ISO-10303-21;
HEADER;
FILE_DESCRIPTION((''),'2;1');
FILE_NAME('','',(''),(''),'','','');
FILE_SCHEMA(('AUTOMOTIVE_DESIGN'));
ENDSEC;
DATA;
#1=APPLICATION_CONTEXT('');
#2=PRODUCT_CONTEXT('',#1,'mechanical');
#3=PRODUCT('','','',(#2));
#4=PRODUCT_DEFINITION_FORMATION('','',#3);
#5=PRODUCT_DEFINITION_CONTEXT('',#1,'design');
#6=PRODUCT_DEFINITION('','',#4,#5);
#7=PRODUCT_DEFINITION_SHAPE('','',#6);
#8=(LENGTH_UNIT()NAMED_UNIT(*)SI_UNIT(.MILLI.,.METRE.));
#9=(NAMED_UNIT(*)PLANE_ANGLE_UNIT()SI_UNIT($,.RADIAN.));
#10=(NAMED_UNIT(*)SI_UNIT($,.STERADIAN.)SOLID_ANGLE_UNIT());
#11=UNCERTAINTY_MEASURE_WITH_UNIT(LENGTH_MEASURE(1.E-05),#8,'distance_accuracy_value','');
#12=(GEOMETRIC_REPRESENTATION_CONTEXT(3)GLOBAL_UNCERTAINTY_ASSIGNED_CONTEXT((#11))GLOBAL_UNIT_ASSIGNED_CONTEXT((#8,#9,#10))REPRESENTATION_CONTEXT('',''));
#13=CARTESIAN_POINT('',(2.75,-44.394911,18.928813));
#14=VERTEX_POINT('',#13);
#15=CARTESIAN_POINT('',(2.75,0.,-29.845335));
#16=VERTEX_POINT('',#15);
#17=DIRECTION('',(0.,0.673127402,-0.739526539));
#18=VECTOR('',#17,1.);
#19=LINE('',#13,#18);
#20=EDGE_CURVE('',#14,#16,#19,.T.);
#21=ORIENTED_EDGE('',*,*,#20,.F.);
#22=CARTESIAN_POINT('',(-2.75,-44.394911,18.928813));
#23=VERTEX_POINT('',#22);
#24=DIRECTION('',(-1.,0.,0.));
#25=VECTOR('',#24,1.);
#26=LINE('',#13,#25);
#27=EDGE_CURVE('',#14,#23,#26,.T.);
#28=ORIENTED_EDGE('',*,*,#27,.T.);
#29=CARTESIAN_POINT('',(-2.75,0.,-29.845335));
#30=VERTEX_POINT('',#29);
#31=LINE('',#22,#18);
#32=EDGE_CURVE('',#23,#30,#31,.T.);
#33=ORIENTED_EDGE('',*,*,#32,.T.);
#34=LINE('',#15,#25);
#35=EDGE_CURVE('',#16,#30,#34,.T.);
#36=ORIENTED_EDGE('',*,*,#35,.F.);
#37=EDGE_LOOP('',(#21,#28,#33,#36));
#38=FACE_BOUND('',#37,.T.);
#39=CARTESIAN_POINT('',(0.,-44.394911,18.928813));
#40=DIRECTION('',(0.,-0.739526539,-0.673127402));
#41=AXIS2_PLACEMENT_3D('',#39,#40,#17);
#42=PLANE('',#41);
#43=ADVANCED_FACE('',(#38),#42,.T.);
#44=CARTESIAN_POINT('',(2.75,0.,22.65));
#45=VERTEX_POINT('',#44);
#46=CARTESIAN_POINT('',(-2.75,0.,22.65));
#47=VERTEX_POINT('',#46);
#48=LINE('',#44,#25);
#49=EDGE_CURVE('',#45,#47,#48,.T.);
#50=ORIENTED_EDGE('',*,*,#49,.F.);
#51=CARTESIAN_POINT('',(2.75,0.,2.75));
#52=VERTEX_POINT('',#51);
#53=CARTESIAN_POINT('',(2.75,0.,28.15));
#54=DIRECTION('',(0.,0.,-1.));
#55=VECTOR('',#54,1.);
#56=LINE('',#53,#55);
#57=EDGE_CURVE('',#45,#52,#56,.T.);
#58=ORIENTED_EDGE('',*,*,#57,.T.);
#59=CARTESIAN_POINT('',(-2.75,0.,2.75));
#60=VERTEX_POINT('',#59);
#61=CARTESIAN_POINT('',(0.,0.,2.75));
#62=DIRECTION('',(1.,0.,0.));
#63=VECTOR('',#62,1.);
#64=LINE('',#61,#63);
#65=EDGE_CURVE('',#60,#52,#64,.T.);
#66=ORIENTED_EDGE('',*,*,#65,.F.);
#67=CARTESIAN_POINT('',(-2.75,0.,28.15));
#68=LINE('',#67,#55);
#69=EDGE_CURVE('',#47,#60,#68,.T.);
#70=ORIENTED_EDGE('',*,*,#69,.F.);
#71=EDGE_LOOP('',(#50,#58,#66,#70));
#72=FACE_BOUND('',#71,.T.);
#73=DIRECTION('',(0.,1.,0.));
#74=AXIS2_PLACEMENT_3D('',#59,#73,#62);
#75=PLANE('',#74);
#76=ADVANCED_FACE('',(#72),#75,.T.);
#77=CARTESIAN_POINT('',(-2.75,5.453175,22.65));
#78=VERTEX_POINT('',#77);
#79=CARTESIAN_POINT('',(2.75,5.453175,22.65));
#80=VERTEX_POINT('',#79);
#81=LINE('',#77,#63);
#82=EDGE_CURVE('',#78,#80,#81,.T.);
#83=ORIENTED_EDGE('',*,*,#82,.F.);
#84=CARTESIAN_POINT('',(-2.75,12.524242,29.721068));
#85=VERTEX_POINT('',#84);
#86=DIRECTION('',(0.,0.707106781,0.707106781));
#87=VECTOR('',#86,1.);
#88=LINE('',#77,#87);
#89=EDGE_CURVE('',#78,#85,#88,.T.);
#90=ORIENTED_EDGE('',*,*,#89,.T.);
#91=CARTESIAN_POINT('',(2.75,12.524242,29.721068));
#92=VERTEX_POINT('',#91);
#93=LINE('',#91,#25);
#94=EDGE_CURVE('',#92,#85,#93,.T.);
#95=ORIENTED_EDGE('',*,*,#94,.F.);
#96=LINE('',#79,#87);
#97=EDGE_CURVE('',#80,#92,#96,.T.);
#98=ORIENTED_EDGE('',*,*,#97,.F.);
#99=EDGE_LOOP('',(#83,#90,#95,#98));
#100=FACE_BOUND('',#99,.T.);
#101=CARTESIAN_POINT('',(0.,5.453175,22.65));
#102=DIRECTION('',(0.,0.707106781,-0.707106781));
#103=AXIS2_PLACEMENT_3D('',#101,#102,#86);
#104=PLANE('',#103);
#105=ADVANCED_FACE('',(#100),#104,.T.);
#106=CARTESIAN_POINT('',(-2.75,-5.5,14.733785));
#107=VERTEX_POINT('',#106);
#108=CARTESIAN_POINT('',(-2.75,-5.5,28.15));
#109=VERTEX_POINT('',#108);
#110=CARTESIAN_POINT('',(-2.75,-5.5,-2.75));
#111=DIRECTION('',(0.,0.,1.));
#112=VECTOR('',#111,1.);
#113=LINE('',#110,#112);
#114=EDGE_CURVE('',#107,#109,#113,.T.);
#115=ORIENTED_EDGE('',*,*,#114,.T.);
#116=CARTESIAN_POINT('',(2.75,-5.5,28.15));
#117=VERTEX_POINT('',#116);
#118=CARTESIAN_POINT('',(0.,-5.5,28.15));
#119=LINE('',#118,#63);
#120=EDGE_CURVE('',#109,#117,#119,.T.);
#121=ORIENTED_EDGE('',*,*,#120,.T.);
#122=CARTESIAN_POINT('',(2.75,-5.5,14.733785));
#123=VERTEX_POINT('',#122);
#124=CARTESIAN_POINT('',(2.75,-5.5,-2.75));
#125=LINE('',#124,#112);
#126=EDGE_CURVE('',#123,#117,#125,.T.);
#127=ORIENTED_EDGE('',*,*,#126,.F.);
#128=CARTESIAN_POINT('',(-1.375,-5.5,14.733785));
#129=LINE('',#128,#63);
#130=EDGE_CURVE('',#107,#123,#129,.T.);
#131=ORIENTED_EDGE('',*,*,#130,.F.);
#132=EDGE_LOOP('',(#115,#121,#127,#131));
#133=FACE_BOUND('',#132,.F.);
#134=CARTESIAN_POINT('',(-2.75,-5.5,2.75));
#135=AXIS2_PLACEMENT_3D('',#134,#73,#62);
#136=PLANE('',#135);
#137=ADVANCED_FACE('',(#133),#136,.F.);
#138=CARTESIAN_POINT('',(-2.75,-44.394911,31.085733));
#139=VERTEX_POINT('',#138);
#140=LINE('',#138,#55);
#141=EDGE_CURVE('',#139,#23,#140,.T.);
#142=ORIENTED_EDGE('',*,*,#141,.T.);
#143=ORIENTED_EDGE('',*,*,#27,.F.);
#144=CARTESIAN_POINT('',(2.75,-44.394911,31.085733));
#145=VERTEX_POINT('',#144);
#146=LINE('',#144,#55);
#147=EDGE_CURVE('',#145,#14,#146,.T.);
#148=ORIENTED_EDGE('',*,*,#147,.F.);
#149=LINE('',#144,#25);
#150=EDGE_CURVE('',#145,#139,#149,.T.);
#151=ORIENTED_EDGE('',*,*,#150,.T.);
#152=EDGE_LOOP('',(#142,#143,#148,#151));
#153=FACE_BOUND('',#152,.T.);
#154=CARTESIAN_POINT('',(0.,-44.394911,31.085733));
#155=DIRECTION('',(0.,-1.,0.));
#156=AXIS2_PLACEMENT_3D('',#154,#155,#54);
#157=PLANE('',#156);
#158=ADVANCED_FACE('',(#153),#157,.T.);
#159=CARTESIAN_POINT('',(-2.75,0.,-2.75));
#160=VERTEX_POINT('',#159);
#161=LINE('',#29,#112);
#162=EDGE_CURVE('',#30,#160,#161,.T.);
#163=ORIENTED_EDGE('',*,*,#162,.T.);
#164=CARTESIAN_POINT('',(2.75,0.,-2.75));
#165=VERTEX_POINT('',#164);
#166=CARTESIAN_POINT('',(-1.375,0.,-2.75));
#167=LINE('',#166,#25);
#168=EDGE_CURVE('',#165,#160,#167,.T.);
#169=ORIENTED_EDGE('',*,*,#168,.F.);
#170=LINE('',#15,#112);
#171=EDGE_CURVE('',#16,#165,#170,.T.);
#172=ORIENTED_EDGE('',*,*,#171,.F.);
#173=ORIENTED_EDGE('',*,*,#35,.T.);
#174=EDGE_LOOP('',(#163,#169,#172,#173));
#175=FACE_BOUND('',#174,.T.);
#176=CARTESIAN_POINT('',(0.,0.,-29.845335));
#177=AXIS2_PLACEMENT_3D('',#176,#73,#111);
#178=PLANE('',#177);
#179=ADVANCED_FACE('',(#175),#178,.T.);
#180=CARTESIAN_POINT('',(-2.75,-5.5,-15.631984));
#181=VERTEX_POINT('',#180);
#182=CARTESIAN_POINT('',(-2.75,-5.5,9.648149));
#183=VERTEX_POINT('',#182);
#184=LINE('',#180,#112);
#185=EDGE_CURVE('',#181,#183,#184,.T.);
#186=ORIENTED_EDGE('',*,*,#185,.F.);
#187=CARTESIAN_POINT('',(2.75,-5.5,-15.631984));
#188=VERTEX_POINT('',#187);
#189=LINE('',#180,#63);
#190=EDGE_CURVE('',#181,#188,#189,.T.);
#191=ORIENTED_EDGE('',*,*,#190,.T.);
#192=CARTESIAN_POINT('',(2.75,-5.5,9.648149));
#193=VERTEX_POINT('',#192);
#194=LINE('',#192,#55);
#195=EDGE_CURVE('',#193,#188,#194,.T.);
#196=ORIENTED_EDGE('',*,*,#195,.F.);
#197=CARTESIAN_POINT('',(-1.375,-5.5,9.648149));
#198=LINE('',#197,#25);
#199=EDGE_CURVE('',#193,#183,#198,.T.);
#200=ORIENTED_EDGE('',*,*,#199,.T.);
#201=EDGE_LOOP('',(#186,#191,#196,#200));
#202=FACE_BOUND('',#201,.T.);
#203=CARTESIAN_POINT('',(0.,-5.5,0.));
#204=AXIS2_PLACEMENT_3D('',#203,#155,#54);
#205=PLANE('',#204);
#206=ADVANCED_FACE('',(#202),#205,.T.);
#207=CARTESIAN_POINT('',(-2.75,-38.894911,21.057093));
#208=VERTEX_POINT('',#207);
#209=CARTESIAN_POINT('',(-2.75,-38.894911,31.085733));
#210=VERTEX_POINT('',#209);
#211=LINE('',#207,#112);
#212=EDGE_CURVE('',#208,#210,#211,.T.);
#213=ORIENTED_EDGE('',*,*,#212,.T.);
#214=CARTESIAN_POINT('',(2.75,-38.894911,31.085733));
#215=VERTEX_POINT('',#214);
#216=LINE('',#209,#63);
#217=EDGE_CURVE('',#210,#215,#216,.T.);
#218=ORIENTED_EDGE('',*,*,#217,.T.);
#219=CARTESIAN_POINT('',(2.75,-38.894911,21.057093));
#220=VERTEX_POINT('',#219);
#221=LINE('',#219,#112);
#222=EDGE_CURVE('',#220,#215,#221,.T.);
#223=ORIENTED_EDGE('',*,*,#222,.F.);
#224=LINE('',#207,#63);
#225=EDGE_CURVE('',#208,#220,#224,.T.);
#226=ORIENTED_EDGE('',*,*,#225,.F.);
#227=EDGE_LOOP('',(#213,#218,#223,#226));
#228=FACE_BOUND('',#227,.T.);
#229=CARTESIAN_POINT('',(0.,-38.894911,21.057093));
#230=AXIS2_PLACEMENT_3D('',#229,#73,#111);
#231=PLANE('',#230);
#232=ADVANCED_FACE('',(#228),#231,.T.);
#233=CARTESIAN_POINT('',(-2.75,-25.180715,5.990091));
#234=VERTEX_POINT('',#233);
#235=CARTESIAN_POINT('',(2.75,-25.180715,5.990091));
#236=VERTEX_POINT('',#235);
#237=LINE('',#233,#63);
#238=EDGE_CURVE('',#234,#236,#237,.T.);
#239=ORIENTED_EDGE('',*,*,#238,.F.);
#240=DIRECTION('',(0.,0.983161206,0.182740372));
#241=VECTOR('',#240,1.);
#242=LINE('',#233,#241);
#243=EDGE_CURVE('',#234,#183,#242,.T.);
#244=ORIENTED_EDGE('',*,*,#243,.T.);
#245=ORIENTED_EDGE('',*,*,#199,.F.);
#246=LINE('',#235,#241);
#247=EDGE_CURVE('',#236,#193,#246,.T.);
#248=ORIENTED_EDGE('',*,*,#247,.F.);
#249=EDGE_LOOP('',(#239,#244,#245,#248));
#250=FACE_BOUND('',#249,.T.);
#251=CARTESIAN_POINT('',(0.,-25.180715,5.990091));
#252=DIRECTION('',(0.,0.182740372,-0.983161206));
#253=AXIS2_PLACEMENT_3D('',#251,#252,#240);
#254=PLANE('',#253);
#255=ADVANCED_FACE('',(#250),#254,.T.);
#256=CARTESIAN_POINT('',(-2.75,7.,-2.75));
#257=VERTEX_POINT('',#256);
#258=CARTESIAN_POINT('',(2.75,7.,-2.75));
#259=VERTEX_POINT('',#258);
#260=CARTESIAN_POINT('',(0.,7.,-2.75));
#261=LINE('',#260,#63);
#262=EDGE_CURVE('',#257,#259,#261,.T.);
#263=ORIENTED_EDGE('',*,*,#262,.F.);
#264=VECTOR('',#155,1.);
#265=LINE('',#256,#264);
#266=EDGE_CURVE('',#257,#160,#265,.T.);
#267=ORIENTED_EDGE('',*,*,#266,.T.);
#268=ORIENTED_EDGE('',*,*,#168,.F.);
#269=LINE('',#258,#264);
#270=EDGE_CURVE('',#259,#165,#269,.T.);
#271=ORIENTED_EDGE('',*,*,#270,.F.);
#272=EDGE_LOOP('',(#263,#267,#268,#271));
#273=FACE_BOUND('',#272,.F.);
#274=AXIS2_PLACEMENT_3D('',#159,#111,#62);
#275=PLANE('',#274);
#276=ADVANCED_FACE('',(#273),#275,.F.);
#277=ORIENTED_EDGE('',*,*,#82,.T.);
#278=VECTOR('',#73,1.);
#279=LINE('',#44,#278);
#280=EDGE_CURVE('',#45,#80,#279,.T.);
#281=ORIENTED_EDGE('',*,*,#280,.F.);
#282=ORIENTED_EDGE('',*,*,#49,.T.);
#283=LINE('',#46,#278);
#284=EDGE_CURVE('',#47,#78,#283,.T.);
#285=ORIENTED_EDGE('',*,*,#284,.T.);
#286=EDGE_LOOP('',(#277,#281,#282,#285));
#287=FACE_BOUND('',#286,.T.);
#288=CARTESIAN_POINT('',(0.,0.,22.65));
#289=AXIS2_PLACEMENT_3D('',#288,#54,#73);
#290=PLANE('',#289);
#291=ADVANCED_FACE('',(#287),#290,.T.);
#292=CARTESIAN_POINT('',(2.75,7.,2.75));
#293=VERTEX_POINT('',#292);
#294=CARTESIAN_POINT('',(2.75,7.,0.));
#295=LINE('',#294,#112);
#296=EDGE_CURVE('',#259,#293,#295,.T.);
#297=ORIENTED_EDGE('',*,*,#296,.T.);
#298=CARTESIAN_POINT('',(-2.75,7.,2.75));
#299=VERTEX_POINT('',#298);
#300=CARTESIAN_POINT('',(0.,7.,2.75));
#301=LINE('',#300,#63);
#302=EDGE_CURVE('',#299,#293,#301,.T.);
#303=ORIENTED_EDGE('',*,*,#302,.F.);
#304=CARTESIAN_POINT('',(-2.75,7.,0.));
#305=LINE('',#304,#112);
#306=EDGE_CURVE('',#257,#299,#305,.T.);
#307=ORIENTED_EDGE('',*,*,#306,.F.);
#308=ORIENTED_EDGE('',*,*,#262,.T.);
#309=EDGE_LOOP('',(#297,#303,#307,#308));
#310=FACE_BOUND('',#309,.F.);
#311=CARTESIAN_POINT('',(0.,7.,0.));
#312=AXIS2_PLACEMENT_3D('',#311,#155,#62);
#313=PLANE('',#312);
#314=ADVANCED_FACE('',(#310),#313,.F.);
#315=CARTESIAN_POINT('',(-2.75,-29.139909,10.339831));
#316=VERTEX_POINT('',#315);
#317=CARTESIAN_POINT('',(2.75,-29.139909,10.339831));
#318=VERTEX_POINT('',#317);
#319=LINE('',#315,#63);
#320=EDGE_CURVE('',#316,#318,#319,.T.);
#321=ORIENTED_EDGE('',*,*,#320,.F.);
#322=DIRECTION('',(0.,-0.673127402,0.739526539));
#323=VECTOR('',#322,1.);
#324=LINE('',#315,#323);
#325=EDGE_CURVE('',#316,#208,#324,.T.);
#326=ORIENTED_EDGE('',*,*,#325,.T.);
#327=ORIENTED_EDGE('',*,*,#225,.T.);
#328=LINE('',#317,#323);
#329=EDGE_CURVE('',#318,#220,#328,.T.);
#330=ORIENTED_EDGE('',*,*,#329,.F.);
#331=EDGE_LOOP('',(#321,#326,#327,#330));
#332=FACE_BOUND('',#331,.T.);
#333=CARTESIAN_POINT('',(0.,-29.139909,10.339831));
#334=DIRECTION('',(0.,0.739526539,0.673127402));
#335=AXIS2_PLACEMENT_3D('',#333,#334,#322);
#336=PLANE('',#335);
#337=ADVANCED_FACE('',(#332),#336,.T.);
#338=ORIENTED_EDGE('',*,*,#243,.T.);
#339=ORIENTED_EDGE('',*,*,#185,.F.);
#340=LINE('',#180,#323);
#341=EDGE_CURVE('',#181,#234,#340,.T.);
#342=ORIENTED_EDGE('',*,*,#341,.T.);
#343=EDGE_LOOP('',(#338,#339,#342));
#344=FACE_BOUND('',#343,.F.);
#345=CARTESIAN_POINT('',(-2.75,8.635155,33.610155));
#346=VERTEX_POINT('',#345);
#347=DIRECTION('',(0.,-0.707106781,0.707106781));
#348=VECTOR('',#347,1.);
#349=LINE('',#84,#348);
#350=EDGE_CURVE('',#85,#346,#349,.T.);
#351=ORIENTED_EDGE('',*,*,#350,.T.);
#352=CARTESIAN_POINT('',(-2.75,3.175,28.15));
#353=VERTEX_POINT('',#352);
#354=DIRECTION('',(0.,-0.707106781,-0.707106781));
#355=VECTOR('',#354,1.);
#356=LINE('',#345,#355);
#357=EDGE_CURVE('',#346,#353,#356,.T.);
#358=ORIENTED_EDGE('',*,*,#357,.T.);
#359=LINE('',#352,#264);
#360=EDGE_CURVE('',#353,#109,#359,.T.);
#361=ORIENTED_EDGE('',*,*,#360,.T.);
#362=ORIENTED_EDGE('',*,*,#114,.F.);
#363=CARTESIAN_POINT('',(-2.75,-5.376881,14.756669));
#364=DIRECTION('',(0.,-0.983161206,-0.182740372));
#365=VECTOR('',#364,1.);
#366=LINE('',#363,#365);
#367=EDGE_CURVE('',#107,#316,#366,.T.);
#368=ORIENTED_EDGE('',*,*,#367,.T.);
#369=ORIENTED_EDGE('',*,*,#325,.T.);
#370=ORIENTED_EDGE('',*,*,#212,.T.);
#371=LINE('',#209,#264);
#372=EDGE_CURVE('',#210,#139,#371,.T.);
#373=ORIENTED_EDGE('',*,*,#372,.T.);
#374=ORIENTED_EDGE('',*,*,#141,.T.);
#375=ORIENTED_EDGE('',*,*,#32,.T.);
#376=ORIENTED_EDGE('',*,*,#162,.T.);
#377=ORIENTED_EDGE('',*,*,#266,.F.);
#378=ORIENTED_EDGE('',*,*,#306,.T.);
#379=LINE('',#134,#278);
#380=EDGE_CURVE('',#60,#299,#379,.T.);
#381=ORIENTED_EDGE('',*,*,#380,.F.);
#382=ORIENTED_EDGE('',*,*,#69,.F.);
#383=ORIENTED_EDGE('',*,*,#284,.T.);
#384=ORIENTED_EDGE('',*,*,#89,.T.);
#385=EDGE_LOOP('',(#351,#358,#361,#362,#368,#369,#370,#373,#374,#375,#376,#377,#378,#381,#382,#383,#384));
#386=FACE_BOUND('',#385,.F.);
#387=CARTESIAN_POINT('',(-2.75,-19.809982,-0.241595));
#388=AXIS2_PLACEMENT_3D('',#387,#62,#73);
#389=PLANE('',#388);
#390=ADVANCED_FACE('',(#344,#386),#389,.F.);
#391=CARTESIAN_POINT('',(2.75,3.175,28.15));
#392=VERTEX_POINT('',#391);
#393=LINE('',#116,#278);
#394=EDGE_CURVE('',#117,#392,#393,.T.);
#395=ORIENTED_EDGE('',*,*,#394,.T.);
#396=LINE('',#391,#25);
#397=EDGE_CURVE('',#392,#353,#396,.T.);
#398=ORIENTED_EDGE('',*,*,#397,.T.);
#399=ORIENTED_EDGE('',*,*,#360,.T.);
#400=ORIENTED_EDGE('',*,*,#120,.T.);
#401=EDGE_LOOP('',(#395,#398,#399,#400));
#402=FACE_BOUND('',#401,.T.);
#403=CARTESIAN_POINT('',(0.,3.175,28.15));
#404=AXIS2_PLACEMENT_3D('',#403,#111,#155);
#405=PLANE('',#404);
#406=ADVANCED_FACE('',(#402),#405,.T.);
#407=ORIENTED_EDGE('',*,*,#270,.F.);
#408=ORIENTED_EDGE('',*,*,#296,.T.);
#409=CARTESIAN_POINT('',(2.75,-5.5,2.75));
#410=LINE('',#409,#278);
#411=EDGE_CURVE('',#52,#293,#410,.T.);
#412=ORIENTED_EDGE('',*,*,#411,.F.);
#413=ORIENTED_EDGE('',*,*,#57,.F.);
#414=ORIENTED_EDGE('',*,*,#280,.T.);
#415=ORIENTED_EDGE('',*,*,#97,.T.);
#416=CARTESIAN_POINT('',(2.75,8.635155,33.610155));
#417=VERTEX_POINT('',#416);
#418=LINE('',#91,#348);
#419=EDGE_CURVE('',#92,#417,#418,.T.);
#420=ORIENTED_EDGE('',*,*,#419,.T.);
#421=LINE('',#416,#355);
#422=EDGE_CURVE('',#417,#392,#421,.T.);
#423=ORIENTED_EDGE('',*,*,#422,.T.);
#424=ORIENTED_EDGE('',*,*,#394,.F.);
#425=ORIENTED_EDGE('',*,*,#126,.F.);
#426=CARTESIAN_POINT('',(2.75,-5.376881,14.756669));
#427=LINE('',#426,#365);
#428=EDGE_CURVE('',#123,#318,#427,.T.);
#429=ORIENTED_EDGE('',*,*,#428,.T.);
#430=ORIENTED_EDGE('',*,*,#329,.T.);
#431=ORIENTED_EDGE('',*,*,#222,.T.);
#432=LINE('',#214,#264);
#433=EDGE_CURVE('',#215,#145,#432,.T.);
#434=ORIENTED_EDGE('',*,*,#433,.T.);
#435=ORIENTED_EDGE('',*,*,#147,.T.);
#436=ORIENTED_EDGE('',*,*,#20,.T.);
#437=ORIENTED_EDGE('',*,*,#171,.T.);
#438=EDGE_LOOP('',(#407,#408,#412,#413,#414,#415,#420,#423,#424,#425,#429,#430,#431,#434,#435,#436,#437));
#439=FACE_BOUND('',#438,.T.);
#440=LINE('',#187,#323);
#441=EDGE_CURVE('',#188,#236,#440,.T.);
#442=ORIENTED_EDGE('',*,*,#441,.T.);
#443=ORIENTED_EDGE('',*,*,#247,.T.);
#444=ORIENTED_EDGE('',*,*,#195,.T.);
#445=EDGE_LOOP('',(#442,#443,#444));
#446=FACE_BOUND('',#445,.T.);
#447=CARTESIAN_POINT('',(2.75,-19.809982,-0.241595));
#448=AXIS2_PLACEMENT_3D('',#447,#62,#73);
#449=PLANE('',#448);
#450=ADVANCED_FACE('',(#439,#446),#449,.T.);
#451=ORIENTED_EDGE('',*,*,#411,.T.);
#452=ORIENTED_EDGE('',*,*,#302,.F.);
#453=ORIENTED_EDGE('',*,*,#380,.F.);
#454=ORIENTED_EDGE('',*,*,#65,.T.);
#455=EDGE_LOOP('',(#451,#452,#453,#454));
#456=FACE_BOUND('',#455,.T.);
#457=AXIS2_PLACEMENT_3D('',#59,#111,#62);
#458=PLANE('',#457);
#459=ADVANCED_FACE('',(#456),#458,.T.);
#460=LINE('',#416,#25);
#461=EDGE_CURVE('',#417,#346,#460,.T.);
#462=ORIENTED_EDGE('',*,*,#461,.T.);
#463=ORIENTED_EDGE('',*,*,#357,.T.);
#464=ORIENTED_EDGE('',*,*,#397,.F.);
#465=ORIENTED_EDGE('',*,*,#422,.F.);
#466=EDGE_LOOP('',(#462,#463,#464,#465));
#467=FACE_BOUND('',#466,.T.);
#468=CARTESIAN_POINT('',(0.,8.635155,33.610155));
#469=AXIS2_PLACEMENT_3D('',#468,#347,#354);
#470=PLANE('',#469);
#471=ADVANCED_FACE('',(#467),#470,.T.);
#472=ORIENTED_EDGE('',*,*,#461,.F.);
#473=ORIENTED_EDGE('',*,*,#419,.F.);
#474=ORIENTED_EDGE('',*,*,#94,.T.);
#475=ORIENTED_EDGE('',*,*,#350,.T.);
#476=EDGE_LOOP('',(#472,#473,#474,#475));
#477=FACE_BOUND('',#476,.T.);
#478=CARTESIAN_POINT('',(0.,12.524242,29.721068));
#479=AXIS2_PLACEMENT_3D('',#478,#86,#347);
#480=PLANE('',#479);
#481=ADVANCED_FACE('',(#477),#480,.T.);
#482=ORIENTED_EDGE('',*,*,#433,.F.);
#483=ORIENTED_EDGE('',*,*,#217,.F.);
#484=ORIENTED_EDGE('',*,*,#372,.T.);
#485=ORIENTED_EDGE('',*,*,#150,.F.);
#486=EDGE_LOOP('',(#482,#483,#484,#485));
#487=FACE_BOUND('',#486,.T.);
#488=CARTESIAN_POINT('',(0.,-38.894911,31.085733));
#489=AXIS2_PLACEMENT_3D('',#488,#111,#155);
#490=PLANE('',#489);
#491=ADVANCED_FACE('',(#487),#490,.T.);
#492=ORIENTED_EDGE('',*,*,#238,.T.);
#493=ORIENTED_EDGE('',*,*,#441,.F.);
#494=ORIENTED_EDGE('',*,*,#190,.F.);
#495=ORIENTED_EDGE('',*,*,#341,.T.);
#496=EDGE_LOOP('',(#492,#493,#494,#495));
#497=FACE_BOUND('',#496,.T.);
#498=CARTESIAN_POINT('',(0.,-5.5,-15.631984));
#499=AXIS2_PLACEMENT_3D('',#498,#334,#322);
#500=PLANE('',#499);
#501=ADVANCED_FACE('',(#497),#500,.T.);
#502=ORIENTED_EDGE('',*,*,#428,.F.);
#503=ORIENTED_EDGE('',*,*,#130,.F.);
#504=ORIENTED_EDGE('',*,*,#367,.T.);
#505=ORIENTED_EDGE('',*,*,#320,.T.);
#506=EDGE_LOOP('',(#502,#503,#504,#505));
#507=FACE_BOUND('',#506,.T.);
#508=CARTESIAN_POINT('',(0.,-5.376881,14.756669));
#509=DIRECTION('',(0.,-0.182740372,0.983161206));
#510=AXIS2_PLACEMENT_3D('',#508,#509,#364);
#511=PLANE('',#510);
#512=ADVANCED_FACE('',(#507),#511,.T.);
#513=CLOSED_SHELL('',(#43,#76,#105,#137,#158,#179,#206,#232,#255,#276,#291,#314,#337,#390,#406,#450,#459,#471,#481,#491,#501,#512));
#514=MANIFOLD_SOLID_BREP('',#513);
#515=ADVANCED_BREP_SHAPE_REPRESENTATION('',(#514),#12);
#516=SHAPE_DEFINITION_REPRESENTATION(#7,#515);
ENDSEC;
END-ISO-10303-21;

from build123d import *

# Parameters (mm, degrees)
F1_W          = 5.5
F1_H          = 5.5
F2_DEPTH      = 7
F2_DEPTH_BACK = 5.5
F3_W          = 5.5
F3_H          = 5.5
F4_DEPTH      = 5.5
F5_W          = 5.5
F5_H          = 5.5
F6_DEPTH      = 19.9
F8_DEPTH      = 2.75
F8_DEPTH_BACK = 2.75
F10_DEPTH     = 2.75


with BuildPart() as f2:
    # F1 (on Front) → F2 (new body, two sides)
    with BuildSketch(Plane.XZ) as f2_sk:
        Rectangle(F1_W, F1_H)
    extrude(amount=-F2_DEPTH)
    extrude(f2_sk.sketch, amount=F2_DEPTH_BACK)



with BuildPart() as f4:
    # F3 (on Front) → F4 (new body, through all)
    with BuildSketch(Plane.XZ):
        with Locations((0, 25.4)):
            Rectangle(F3_W, F3_H)
    extrude(amount=F4_DEPTH)


with BuildPart() as f2_1:
    add(f2.part)

    add(f4.part)  # F6 merges F4
    # F5 (on face) → F6 (join, through all)
    with BuildSketch(Plane.XY.offset(2.75)):
        with Locations((0, -2.75)):
            Rectangle(F5_W, F5_H)
    extrude(amount=F6_DEPTH)

    # F7 (on Right) → F8 (join, two sides)
    with BuildSketch(Plane.YZ) as f8_sk:
        Polygon((3.175, 28.15), (0, 28.15), (0, 22.65), (5.4531745931, 22.65), (12.5242424049, 29.7210678119), (8.6351551084, 33.6101551084), align=None)
    extrude(amount=F8_DEPTH)
    extrude(f8_sk.sketch, amount=-F8_DEPTH_BACK)

    # F9 (on Right) → F10 (join, symmetric)
    with BuildSketch(Plane.YZ):
        Polygon((0, -29.8453345895), (0, 0), (-5.5, 0), (-5.5, -15.6319836834), (-25.1807147937, 5.9900909129), (-28.2262068887, 5.4240246833), (-29.1399087291, 10.3398306206), (-38.8949113266, 21.0570934874), (-38.8949113266, 31.0857333243), (-44.3949113267, 31.0857333243), (-44.3949113267, 18.9288128167), align=None)
        Polygon((-28.2262068887, 5.4240246833), (-25.1807147937, 5.9900909129), (-29.1399087291, 10.3398306206), align=None)
        Polygon((-29.1399087291, 10.3398306206), (-25.1807147937, 5.9900909129), (-4.4631796137, 9.8408633531), (-5.3768814541, 14.7566692904), align=None)
    extrude(amount=F10_DEPTH, both=True)


solid = f2_1.part
